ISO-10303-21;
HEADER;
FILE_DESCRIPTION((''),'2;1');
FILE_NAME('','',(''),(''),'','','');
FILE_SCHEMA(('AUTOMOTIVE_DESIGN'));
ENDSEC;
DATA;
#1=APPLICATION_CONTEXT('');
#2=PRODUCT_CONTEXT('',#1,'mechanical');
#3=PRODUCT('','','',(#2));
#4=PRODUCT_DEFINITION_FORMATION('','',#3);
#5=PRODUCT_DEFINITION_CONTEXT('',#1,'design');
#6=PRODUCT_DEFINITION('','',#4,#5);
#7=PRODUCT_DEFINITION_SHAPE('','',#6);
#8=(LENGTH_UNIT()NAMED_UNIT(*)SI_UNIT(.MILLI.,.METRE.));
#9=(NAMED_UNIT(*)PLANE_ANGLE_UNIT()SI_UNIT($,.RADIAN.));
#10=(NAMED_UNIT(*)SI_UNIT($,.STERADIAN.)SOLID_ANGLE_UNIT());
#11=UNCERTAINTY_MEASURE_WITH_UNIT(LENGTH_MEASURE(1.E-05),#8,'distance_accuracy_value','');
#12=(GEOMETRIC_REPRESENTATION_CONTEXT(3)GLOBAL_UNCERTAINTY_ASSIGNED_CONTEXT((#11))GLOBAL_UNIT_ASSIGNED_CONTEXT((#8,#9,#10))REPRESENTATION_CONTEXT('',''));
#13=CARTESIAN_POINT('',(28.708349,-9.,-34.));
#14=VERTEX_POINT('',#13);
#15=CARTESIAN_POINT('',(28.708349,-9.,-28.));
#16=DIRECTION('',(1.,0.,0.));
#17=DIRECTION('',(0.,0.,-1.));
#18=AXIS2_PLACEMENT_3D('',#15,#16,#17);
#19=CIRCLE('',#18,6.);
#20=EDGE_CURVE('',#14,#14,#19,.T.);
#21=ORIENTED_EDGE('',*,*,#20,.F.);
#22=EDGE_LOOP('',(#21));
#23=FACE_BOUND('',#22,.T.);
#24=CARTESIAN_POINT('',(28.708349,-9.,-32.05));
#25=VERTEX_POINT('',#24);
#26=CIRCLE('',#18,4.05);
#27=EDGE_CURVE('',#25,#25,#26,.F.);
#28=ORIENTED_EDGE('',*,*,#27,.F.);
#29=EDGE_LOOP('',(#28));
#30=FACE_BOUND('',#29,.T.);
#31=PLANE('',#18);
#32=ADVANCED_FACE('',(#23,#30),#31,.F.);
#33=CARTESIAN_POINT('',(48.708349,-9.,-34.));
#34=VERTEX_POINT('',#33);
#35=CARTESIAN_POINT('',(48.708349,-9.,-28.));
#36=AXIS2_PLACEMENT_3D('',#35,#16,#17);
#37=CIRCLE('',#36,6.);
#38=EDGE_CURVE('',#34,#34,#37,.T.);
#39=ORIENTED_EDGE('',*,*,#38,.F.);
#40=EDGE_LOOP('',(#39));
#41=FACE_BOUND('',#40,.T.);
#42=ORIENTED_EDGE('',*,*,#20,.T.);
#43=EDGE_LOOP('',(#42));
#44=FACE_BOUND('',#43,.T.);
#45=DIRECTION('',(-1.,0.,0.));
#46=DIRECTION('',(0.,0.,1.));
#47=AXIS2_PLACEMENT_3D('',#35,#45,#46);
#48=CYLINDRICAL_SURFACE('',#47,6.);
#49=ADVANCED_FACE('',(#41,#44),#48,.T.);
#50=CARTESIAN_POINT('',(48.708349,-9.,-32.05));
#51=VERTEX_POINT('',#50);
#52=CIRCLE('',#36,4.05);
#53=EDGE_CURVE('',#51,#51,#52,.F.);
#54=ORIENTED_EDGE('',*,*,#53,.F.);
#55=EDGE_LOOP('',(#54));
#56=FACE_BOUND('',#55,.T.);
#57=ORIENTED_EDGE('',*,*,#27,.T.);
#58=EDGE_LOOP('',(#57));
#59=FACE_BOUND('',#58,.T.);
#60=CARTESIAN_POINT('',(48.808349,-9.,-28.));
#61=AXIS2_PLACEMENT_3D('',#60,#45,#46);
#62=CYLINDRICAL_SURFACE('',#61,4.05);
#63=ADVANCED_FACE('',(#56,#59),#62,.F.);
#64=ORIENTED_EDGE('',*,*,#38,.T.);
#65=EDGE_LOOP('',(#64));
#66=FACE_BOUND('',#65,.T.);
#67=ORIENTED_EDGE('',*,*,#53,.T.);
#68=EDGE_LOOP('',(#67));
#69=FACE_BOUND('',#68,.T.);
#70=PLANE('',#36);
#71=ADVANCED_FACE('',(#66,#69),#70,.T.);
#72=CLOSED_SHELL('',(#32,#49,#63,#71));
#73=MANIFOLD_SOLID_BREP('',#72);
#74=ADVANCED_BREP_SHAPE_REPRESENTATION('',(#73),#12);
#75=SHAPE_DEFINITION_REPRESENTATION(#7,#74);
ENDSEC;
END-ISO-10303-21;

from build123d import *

# Parameters (mm, degrees)
ACETAL_GUIDE_SLEEVE_OUTSIDE_SKETCH_R = 6
ACETAL_GUIDE_SLEEVE_OUTSIDE_DEPTH    = 20
ACETAL_GUIDE_SLEEVE_BORE_SKETCH_R    = 4.05
ACETAL_GUIDE_SLEEVE_BORE_DEPTH       = 20.2


with BuildPart() as part:
    # Acetal guide sleeve outside sketch → Acetal guide sleeve outside (new body)
    with BuildSketch(Plane(origin=(28.708348754, 0, 0), x_dir=(0, 0, -1), z_dir=(1, 0, 0))):
        with Locations((28, -9)):
            Circle(ACETAL_GUIDE_SLEEVE_OUTSIDE_SKETCH_R)
    extrude(amount=ACETAL_GUIDE_SLEEVE_OUTSIDE_DEPTH)

    # Acetal guide sleeve bore sketch → Acetal guide sleeve bore (cut)
    with BuildSketch(Plane(origin=(28.608348754, 0, 0), x_dir=(0, 0, -1), z_dir=(1, 0, 0))):
        with Locations((28, -9)):
            Circle(ACETAL_GUIDE_SLEEVE_BORE_SKETCH_R)
    extrude(amount=ACETAL_GUIDE_SLEEVE_BORE_DEPTH, mode=Mode.SUBTRACT)


solid = part.part
